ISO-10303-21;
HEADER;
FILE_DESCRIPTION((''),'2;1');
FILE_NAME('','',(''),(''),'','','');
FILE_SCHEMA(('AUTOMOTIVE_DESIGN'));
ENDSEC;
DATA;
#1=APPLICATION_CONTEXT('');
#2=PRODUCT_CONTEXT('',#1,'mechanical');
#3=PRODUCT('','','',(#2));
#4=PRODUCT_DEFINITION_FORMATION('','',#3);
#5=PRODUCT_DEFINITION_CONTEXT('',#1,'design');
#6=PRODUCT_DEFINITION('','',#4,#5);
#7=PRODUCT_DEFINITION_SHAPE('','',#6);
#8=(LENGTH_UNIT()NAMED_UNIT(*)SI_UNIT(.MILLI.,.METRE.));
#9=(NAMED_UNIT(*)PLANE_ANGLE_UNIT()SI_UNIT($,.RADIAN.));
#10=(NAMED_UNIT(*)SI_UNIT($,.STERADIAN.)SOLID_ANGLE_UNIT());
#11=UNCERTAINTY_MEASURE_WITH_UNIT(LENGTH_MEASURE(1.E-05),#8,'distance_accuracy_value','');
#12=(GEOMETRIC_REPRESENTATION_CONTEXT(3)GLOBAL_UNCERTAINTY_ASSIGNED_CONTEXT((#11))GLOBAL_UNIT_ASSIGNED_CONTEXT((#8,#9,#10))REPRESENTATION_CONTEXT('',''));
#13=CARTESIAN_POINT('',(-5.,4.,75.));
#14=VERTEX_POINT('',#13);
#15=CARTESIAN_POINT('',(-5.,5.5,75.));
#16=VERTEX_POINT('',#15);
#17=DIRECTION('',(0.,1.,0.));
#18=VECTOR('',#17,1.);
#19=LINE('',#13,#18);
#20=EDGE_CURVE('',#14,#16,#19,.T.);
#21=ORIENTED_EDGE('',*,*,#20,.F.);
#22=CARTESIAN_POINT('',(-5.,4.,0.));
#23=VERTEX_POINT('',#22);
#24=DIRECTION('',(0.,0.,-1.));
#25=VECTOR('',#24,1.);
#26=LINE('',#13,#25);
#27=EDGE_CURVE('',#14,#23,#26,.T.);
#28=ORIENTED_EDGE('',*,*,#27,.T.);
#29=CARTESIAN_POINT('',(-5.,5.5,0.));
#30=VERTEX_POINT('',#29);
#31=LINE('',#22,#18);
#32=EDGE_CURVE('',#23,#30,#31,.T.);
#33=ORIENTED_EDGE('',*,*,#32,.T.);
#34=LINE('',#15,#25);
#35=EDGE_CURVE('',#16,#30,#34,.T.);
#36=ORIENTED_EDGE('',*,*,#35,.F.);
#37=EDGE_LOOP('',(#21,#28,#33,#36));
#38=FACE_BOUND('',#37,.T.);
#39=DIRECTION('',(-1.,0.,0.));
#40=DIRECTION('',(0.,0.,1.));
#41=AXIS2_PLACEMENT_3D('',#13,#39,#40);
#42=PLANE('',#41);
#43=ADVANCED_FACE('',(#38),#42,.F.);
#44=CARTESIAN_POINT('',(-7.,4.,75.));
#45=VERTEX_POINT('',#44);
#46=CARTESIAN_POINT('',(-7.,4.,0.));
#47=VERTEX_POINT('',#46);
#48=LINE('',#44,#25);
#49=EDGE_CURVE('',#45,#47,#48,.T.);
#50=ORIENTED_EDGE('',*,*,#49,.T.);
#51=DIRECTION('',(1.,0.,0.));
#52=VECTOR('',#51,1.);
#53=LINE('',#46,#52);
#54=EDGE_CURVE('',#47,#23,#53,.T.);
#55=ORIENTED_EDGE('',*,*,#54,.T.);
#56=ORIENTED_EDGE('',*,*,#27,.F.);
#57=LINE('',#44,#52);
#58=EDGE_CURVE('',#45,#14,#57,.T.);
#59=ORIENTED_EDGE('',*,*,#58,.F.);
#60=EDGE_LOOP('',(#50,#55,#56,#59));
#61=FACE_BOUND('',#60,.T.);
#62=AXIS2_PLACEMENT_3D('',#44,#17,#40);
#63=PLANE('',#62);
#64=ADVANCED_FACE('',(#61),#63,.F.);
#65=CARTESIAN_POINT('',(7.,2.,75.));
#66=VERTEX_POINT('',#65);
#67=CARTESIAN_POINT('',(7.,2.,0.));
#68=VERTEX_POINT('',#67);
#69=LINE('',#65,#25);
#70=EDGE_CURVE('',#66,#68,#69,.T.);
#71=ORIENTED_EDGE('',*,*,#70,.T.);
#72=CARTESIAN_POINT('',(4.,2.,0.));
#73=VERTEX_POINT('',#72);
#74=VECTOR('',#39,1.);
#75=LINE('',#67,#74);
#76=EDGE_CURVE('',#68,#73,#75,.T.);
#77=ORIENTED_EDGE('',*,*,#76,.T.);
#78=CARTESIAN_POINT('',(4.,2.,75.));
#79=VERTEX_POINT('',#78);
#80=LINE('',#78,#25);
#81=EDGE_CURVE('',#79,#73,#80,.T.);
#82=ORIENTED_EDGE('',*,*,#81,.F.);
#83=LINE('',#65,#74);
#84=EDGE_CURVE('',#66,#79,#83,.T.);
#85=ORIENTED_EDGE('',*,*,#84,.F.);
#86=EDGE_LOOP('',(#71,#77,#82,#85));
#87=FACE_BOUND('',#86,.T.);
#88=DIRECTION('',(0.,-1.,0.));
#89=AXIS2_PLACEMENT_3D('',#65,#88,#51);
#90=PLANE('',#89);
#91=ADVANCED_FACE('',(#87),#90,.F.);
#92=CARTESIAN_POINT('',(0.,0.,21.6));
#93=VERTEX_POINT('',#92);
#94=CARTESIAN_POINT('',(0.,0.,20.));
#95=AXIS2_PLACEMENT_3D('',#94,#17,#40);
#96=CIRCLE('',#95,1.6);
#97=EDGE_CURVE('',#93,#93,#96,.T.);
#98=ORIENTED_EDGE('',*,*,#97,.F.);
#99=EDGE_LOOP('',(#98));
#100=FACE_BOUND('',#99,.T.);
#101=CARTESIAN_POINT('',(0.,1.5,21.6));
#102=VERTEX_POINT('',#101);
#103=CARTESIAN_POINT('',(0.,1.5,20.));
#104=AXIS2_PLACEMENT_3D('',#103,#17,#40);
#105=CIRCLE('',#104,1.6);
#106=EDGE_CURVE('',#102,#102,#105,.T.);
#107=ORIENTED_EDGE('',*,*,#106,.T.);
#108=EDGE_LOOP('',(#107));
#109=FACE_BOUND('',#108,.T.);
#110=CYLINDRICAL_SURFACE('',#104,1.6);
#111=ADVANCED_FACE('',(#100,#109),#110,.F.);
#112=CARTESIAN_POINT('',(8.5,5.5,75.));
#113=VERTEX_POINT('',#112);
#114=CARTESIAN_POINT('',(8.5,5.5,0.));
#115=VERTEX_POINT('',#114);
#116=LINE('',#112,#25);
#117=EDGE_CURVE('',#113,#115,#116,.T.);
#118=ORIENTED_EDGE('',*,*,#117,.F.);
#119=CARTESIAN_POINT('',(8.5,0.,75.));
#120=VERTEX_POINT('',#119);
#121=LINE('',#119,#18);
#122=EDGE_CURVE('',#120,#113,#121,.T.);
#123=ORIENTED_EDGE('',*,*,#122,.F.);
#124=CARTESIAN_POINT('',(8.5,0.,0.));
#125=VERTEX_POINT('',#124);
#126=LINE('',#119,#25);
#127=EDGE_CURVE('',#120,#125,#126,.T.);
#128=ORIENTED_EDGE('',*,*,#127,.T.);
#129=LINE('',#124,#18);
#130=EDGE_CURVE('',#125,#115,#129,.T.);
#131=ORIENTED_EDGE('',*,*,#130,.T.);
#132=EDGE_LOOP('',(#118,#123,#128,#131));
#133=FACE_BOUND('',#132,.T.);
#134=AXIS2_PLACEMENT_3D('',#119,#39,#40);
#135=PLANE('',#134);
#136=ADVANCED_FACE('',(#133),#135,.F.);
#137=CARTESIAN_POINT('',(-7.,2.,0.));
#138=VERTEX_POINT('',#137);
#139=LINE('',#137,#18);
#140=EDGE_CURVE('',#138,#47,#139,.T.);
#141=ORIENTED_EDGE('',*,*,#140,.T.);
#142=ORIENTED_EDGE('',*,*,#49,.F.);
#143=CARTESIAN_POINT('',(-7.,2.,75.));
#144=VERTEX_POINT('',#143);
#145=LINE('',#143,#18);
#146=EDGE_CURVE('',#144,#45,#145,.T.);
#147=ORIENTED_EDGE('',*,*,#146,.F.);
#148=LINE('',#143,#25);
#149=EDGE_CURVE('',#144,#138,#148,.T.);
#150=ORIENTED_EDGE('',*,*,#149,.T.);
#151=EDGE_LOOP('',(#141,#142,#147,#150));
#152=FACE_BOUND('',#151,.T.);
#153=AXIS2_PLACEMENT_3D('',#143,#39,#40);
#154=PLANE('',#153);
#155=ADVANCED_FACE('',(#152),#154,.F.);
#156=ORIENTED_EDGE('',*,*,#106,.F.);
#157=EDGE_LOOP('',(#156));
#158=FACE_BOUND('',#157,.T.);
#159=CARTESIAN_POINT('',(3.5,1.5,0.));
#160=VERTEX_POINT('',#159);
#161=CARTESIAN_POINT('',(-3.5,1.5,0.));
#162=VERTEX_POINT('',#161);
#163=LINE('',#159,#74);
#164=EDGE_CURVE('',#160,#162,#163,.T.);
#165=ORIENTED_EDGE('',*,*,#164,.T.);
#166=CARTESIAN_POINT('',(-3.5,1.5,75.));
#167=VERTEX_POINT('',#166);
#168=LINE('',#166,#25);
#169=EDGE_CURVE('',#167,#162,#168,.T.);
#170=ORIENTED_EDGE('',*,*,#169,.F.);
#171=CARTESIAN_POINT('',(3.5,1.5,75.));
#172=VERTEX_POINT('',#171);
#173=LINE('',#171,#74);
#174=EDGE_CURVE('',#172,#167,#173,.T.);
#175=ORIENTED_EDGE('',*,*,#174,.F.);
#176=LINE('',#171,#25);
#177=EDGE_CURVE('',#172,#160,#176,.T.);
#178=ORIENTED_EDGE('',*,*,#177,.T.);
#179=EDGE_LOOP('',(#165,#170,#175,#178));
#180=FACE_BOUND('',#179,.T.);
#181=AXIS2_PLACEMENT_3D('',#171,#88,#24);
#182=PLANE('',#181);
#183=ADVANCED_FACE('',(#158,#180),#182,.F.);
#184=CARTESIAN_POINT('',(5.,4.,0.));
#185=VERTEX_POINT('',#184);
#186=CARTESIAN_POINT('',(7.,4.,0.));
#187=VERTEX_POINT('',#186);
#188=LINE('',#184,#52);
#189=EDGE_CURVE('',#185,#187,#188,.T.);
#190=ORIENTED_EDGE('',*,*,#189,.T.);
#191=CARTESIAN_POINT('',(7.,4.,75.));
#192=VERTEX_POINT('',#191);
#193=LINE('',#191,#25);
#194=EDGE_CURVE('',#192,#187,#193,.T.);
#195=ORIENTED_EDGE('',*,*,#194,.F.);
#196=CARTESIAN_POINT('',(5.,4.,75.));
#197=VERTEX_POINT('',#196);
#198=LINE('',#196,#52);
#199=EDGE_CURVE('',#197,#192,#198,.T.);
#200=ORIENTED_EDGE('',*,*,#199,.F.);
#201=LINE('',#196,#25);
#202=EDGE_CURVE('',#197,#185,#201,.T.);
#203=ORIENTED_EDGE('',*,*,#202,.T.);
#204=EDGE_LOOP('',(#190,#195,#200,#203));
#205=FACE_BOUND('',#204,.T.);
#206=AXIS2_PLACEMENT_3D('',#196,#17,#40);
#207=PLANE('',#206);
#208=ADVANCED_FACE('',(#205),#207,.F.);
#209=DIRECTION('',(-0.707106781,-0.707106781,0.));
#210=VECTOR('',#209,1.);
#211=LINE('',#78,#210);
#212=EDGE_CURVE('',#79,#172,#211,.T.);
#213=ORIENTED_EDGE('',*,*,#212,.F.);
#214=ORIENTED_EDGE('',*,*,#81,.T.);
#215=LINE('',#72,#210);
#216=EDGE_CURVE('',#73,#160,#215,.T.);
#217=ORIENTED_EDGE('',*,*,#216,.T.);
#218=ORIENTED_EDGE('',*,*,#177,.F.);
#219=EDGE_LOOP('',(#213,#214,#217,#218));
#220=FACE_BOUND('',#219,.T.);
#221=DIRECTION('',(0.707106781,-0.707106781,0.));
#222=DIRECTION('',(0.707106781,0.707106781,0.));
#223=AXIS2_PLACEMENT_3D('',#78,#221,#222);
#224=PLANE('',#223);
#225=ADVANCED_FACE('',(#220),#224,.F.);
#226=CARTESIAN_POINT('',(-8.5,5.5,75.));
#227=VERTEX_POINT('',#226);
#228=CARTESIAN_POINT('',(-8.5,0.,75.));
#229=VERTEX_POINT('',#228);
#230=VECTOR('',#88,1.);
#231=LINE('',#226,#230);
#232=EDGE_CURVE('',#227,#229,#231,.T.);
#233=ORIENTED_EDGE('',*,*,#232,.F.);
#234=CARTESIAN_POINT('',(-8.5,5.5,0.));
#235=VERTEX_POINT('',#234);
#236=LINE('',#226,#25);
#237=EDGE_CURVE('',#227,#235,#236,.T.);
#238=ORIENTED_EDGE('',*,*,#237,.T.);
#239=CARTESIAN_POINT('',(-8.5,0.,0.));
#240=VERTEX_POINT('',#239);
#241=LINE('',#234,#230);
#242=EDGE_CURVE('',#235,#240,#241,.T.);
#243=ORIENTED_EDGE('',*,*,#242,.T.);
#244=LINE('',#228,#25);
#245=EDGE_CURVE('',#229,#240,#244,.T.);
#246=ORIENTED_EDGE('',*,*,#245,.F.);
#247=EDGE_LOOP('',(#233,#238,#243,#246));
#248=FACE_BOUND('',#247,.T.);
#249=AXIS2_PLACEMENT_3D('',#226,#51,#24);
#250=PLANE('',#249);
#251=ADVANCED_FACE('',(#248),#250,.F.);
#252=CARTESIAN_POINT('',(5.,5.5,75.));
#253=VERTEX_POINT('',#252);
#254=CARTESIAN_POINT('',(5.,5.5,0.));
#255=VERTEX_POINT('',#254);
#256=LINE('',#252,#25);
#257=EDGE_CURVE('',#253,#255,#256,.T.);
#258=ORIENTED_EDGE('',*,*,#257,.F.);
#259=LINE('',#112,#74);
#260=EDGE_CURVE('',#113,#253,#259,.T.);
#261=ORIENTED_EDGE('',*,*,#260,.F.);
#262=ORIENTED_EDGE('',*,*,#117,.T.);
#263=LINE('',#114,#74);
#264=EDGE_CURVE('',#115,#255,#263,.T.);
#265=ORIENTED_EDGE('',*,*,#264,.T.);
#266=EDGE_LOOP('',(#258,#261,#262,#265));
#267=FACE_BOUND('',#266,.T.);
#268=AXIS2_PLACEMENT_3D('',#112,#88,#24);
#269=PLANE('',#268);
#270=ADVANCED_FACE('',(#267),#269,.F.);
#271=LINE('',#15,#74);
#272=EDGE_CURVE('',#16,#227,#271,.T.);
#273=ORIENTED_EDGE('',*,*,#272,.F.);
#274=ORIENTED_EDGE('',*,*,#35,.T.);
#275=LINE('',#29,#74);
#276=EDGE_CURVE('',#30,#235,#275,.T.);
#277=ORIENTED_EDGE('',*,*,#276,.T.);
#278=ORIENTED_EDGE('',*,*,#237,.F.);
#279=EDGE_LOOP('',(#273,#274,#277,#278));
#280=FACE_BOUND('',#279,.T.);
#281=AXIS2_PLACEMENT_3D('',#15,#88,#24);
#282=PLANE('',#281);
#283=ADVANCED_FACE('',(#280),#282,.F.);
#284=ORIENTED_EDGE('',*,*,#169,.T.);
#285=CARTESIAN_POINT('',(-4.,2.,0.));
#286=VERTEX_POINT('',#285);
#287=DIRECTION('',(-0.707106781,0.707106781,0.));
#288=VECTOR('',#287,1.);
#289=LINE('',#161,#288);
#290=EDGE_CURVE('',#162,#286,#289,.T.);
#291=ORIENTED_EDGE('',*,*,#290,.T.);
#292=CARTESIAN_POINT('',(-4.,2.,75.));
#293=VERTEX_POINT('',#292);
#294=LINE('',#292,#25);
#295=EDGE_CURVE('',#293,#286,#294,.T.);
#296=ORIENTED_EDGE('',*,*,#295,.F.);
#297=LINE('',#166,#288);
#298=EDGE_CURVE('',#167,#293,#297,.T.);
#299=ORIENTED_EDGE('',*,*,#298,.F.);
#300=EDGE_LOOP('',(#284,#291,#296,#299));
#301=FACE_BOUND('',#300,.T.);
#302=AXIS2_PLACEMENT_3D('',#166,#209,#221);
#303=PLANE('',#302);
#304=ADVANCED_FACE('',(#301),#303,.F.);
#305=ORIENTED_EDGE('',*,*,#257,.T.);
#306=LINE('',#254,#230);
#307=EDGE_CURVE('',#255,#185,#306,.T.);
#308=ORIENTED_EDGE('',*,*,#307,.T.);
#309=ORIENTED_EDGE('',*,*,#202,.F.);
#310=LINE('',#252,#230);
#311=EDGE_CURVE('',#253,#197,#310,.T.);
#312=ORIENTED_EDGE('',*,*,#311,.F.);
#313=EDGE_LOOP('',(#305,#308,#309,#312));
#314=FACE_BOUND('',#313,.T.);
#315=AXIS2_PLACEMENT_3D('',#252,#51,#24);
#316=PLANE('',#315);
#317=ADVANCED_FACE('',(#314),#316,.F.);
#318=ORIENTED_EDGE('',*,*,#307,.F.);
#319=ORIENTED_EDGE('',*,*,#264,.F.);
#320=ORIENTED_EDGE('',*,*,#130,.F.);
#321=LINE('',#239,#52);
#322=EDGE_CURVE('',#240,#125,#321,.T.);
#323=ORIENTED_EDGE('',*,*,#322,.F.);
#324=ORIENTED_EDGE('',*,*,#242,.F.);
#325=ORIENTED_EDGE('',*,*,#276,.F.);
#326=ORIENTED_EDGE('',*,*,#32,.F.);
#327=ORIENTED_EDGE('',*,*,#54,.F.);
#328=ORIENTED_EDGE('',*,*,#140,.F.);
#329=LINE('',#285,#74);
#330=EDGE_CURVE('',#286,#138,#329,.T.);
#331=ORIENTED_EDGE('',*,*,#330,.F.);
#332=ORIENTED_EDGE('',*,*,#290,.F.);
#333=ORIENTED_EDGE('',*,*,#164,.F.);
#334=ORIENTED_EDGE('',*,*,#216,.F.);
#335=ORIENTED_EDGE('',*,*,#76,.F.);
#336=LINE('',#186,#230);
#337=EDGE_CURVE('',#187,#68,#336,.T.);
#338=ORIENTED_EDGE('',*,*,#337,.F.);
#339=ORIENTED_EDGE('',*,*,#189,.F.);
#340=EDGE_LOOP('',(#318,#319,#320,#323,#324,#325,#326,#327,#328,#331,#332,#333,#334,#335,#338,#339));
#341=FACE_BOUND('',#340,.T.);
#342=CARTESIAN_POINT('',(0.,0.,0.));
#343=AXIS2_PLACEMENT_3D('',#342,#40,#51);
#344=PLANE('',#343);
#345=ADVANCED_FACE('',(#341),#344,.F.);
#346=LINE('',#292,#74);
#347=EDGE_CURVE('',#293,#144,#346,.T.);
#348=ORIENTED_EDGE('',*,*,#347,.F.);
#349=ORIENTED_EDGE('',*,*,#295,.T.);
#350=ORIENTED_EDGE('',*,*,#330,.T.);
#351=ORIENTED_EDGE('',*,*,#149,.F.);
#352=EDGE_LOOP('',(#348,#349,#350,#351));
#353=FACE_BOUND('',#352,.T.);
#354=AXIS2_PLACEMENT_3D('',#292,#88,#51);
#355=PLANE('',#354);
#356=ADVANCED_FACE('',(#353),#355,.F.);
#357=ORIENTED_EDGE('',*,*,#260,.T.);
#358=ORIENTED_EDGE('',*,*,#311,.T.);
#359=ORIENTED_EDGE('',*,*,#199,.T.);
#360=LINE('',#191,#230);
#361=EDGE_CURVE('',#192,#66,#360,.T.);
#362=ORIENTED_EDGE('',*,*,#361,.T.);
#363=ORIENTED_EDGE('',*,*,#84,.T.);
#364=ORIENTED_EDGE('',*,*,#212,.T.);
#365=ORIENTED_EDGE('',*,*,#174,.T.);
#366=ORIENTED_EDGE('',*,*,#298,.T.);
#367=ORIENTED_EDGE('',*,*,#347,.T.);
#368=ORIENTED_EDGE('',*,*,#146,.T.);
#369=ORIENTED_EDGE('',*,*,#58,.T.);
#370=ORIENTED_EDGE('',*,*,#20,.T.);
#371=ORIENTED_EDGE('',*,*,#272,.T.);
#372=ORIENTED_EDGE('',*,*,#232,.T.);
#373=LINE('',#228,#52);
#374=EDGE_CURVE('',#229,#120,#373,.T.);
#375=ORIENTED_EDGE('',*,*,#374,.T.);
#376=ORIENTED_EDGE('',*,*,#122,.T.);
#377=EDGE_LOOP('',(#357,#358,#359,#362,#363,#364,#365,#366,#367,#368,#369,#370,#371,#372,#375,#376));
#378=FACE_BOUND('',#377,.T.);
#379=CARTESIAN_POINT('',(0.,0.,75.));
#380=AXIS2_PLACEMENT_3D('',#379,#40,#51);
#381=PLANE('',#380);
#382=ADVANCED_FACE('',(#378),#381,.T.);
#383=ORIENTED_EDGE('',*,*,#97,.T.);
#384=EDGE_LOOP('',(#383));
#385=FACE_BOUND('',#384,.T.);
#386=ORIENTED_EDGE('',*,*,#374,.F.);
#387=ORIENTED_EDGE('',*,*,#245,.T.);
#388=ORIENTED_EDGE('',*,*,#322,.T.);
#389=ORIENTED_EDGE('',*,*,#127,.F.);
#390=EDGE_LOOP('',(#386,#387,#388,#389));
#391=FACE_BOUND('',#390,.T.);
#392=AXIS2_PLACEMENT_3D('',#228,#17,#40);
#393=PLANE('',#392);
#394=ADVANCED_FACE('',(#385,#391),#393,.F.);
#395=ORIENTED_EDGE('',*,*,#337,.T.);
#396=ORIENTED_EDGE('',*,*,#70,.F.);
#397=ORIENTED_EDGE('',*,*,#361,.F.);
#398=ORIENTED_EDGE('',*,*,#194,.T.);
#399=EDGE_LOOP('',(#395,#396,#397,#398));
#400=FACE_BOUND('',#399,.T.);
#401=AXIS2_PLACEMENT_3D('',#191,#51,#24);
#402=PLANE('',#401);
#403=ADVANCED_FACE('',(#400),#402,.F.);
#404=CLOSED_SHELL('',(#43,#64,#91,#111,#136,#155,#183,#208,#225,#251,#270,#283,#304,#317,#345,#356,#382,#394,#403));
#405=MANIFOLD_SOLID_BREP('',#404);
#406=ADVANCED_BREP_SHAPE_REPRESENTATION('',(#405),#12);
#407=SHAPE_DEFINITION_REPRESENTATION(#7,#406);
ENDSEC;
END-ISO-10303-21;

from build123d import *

# Parameters (mm, degrees)
AUFSATZ_LINEAR_AUSTRAGEN1_DEPTH  = 75
F_3_2_3_2_DURCHMESSER_BOHRUNG3_D = 3.2


with BuildPart() as part:
    # Skizze1 → Aufsatz-Linear austragen1 (new body)
    with BuildSketch(Plane.XY):
        Polygon((-8.5, 0), (8.5, 0), (8.5, 5.5), (5, 5.5), (5, 4), (7, 4), (7, 2), (4, 2), (3.5, 1.5), (-3.5, 1.5), (-4, 2), (-7, 2), (-7, 4), (-5, 4), (-5, 5.5), (-8.5, 5.5), align=None)
    extrude(amount=AUFSATZ_LINEAR_AUSTRAGEN1_DEPTH)

    # Ø3.2 (3.2) Durchmesser Bohrung3 (through all)
    with Locations(Plane(origin=(0, 1.5, 0), x_dir=(1, 0, 0), z_dir=(0, 1, 0))):
        with Locations((0, -80), (0, -20), (0, -140)):
            Hole(F_3_2_3_2_DURCHMESSER_BOHRUNG3_D / 2)


solid = part.part
